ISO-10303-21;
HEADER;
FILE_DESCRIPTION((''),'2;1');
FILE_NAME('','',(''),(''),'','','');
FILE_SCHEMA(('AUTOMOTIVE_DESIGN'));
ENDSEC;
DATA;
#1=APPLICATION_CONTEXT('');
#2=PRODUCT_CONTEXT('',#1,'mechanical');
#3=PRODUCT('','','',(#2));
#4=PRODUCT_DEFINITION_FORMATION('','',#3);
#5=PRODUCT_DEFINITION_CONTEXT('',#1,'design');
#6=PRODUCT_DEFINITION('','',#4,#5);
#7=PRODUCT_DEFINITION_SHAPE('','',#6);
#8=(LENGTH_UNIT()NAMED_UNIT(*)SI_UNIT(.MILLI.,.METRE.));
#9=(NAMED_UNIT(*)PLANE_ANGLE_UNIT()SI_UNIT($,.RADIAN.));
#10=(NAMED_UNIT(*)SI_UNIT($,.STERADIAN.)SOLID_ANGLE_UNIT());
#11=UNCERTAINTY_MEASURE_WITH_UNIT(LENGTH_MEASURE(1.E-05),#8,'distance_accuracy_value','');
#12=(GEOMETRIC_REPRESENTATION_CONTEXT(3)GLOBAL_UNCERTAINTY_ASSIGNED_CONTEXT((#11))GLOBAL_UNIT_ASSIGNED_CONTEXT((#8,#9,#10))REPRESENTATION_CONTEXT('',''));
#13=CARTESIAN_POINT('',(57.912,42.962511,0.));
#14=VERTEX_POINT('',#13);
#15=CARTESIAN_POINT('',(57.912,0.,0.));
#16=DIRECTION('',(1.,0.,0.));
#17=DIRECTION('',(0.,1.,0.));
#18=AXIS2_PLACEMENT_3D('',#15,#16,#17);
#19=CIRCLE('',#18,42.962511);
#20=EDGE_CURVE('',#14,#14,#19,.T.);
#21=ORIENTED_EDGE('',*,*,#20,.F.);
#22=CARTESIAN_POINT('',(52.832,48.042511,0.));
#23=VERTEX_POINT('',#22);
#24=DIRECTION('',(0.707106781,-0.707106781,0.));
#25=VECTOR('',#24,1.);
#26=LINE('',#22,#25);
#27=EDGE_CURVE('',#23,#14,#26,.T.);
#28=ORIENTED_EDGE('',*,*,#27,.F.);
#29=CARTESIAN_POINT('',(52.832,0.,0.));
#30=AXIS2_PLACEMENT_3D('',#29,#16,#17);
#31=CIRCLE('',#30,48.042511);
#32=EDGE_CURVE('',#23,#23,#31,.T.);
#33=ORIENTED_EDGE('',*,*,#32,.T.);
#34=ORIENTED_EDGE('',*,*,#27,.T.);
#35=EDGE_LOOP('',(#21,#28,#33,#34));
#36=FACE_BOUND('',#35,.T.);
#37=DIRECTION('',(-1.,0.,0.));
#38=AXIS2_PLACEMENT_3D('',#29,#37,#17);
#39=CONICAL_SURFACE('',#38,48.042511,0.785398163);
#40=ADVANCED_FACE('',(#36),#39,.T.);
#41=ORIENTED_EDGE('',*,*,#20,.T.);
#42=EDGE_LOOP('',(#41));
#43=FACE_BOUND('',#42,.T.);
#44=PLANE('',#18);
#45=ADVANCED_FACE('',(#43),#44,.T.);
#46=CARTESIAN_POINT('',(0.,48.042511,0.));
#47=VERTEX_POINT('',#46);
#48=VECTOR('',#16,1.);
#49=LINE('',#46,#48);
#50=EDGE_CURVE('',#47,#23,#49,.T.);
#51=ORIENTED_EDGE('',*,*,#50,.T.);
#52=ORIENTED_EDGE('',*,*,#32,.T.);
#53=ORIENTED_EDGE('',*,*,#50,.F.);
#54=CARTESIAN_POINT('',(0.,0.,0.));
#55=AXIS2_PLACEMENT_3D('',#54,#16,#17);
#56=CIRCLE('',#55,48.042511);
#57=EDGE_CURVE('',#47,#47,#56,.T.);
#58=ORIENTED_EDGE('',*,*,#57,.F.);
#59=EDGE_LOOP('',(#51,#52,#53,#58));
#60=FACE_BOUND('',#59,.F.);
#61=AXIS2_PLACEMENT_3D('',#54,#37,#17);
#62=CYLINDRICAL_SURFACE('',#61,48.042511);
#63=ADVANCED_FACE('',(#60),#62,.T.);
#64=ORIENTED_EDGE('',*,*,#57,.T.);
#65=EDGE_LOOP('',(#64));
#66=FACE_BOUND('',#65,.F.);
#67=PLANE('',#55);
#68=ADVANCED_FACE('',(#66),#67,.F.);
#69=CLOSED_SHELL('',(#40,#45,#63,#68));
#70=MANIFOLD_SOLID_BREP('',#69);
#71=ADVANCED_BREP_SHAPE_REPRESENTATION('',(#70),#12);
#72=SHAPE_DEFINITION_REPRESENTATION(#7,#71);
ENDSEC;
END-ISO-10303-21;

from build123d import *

# Parameters (mm, degrees)
F0_R     = 48.042511
F1_DEPTH = 57.912
F2_SIZE  = 5.08


with BuildPart() as f1:
    # F0 (on Right) → F1 (new body)
    with BuildSketch(Plane.YZ):
        Circle(F0_R)
    extrude(amount=F1_DEPTH)

    # F2
    f2_edges = [f1.edges().sort_by_distance(p)[0] for p in [
        (57.912, -48.042511, 0),
    ]]
    chamfer(f2_edges, length=F2_SIZE)


solid = f1.part
